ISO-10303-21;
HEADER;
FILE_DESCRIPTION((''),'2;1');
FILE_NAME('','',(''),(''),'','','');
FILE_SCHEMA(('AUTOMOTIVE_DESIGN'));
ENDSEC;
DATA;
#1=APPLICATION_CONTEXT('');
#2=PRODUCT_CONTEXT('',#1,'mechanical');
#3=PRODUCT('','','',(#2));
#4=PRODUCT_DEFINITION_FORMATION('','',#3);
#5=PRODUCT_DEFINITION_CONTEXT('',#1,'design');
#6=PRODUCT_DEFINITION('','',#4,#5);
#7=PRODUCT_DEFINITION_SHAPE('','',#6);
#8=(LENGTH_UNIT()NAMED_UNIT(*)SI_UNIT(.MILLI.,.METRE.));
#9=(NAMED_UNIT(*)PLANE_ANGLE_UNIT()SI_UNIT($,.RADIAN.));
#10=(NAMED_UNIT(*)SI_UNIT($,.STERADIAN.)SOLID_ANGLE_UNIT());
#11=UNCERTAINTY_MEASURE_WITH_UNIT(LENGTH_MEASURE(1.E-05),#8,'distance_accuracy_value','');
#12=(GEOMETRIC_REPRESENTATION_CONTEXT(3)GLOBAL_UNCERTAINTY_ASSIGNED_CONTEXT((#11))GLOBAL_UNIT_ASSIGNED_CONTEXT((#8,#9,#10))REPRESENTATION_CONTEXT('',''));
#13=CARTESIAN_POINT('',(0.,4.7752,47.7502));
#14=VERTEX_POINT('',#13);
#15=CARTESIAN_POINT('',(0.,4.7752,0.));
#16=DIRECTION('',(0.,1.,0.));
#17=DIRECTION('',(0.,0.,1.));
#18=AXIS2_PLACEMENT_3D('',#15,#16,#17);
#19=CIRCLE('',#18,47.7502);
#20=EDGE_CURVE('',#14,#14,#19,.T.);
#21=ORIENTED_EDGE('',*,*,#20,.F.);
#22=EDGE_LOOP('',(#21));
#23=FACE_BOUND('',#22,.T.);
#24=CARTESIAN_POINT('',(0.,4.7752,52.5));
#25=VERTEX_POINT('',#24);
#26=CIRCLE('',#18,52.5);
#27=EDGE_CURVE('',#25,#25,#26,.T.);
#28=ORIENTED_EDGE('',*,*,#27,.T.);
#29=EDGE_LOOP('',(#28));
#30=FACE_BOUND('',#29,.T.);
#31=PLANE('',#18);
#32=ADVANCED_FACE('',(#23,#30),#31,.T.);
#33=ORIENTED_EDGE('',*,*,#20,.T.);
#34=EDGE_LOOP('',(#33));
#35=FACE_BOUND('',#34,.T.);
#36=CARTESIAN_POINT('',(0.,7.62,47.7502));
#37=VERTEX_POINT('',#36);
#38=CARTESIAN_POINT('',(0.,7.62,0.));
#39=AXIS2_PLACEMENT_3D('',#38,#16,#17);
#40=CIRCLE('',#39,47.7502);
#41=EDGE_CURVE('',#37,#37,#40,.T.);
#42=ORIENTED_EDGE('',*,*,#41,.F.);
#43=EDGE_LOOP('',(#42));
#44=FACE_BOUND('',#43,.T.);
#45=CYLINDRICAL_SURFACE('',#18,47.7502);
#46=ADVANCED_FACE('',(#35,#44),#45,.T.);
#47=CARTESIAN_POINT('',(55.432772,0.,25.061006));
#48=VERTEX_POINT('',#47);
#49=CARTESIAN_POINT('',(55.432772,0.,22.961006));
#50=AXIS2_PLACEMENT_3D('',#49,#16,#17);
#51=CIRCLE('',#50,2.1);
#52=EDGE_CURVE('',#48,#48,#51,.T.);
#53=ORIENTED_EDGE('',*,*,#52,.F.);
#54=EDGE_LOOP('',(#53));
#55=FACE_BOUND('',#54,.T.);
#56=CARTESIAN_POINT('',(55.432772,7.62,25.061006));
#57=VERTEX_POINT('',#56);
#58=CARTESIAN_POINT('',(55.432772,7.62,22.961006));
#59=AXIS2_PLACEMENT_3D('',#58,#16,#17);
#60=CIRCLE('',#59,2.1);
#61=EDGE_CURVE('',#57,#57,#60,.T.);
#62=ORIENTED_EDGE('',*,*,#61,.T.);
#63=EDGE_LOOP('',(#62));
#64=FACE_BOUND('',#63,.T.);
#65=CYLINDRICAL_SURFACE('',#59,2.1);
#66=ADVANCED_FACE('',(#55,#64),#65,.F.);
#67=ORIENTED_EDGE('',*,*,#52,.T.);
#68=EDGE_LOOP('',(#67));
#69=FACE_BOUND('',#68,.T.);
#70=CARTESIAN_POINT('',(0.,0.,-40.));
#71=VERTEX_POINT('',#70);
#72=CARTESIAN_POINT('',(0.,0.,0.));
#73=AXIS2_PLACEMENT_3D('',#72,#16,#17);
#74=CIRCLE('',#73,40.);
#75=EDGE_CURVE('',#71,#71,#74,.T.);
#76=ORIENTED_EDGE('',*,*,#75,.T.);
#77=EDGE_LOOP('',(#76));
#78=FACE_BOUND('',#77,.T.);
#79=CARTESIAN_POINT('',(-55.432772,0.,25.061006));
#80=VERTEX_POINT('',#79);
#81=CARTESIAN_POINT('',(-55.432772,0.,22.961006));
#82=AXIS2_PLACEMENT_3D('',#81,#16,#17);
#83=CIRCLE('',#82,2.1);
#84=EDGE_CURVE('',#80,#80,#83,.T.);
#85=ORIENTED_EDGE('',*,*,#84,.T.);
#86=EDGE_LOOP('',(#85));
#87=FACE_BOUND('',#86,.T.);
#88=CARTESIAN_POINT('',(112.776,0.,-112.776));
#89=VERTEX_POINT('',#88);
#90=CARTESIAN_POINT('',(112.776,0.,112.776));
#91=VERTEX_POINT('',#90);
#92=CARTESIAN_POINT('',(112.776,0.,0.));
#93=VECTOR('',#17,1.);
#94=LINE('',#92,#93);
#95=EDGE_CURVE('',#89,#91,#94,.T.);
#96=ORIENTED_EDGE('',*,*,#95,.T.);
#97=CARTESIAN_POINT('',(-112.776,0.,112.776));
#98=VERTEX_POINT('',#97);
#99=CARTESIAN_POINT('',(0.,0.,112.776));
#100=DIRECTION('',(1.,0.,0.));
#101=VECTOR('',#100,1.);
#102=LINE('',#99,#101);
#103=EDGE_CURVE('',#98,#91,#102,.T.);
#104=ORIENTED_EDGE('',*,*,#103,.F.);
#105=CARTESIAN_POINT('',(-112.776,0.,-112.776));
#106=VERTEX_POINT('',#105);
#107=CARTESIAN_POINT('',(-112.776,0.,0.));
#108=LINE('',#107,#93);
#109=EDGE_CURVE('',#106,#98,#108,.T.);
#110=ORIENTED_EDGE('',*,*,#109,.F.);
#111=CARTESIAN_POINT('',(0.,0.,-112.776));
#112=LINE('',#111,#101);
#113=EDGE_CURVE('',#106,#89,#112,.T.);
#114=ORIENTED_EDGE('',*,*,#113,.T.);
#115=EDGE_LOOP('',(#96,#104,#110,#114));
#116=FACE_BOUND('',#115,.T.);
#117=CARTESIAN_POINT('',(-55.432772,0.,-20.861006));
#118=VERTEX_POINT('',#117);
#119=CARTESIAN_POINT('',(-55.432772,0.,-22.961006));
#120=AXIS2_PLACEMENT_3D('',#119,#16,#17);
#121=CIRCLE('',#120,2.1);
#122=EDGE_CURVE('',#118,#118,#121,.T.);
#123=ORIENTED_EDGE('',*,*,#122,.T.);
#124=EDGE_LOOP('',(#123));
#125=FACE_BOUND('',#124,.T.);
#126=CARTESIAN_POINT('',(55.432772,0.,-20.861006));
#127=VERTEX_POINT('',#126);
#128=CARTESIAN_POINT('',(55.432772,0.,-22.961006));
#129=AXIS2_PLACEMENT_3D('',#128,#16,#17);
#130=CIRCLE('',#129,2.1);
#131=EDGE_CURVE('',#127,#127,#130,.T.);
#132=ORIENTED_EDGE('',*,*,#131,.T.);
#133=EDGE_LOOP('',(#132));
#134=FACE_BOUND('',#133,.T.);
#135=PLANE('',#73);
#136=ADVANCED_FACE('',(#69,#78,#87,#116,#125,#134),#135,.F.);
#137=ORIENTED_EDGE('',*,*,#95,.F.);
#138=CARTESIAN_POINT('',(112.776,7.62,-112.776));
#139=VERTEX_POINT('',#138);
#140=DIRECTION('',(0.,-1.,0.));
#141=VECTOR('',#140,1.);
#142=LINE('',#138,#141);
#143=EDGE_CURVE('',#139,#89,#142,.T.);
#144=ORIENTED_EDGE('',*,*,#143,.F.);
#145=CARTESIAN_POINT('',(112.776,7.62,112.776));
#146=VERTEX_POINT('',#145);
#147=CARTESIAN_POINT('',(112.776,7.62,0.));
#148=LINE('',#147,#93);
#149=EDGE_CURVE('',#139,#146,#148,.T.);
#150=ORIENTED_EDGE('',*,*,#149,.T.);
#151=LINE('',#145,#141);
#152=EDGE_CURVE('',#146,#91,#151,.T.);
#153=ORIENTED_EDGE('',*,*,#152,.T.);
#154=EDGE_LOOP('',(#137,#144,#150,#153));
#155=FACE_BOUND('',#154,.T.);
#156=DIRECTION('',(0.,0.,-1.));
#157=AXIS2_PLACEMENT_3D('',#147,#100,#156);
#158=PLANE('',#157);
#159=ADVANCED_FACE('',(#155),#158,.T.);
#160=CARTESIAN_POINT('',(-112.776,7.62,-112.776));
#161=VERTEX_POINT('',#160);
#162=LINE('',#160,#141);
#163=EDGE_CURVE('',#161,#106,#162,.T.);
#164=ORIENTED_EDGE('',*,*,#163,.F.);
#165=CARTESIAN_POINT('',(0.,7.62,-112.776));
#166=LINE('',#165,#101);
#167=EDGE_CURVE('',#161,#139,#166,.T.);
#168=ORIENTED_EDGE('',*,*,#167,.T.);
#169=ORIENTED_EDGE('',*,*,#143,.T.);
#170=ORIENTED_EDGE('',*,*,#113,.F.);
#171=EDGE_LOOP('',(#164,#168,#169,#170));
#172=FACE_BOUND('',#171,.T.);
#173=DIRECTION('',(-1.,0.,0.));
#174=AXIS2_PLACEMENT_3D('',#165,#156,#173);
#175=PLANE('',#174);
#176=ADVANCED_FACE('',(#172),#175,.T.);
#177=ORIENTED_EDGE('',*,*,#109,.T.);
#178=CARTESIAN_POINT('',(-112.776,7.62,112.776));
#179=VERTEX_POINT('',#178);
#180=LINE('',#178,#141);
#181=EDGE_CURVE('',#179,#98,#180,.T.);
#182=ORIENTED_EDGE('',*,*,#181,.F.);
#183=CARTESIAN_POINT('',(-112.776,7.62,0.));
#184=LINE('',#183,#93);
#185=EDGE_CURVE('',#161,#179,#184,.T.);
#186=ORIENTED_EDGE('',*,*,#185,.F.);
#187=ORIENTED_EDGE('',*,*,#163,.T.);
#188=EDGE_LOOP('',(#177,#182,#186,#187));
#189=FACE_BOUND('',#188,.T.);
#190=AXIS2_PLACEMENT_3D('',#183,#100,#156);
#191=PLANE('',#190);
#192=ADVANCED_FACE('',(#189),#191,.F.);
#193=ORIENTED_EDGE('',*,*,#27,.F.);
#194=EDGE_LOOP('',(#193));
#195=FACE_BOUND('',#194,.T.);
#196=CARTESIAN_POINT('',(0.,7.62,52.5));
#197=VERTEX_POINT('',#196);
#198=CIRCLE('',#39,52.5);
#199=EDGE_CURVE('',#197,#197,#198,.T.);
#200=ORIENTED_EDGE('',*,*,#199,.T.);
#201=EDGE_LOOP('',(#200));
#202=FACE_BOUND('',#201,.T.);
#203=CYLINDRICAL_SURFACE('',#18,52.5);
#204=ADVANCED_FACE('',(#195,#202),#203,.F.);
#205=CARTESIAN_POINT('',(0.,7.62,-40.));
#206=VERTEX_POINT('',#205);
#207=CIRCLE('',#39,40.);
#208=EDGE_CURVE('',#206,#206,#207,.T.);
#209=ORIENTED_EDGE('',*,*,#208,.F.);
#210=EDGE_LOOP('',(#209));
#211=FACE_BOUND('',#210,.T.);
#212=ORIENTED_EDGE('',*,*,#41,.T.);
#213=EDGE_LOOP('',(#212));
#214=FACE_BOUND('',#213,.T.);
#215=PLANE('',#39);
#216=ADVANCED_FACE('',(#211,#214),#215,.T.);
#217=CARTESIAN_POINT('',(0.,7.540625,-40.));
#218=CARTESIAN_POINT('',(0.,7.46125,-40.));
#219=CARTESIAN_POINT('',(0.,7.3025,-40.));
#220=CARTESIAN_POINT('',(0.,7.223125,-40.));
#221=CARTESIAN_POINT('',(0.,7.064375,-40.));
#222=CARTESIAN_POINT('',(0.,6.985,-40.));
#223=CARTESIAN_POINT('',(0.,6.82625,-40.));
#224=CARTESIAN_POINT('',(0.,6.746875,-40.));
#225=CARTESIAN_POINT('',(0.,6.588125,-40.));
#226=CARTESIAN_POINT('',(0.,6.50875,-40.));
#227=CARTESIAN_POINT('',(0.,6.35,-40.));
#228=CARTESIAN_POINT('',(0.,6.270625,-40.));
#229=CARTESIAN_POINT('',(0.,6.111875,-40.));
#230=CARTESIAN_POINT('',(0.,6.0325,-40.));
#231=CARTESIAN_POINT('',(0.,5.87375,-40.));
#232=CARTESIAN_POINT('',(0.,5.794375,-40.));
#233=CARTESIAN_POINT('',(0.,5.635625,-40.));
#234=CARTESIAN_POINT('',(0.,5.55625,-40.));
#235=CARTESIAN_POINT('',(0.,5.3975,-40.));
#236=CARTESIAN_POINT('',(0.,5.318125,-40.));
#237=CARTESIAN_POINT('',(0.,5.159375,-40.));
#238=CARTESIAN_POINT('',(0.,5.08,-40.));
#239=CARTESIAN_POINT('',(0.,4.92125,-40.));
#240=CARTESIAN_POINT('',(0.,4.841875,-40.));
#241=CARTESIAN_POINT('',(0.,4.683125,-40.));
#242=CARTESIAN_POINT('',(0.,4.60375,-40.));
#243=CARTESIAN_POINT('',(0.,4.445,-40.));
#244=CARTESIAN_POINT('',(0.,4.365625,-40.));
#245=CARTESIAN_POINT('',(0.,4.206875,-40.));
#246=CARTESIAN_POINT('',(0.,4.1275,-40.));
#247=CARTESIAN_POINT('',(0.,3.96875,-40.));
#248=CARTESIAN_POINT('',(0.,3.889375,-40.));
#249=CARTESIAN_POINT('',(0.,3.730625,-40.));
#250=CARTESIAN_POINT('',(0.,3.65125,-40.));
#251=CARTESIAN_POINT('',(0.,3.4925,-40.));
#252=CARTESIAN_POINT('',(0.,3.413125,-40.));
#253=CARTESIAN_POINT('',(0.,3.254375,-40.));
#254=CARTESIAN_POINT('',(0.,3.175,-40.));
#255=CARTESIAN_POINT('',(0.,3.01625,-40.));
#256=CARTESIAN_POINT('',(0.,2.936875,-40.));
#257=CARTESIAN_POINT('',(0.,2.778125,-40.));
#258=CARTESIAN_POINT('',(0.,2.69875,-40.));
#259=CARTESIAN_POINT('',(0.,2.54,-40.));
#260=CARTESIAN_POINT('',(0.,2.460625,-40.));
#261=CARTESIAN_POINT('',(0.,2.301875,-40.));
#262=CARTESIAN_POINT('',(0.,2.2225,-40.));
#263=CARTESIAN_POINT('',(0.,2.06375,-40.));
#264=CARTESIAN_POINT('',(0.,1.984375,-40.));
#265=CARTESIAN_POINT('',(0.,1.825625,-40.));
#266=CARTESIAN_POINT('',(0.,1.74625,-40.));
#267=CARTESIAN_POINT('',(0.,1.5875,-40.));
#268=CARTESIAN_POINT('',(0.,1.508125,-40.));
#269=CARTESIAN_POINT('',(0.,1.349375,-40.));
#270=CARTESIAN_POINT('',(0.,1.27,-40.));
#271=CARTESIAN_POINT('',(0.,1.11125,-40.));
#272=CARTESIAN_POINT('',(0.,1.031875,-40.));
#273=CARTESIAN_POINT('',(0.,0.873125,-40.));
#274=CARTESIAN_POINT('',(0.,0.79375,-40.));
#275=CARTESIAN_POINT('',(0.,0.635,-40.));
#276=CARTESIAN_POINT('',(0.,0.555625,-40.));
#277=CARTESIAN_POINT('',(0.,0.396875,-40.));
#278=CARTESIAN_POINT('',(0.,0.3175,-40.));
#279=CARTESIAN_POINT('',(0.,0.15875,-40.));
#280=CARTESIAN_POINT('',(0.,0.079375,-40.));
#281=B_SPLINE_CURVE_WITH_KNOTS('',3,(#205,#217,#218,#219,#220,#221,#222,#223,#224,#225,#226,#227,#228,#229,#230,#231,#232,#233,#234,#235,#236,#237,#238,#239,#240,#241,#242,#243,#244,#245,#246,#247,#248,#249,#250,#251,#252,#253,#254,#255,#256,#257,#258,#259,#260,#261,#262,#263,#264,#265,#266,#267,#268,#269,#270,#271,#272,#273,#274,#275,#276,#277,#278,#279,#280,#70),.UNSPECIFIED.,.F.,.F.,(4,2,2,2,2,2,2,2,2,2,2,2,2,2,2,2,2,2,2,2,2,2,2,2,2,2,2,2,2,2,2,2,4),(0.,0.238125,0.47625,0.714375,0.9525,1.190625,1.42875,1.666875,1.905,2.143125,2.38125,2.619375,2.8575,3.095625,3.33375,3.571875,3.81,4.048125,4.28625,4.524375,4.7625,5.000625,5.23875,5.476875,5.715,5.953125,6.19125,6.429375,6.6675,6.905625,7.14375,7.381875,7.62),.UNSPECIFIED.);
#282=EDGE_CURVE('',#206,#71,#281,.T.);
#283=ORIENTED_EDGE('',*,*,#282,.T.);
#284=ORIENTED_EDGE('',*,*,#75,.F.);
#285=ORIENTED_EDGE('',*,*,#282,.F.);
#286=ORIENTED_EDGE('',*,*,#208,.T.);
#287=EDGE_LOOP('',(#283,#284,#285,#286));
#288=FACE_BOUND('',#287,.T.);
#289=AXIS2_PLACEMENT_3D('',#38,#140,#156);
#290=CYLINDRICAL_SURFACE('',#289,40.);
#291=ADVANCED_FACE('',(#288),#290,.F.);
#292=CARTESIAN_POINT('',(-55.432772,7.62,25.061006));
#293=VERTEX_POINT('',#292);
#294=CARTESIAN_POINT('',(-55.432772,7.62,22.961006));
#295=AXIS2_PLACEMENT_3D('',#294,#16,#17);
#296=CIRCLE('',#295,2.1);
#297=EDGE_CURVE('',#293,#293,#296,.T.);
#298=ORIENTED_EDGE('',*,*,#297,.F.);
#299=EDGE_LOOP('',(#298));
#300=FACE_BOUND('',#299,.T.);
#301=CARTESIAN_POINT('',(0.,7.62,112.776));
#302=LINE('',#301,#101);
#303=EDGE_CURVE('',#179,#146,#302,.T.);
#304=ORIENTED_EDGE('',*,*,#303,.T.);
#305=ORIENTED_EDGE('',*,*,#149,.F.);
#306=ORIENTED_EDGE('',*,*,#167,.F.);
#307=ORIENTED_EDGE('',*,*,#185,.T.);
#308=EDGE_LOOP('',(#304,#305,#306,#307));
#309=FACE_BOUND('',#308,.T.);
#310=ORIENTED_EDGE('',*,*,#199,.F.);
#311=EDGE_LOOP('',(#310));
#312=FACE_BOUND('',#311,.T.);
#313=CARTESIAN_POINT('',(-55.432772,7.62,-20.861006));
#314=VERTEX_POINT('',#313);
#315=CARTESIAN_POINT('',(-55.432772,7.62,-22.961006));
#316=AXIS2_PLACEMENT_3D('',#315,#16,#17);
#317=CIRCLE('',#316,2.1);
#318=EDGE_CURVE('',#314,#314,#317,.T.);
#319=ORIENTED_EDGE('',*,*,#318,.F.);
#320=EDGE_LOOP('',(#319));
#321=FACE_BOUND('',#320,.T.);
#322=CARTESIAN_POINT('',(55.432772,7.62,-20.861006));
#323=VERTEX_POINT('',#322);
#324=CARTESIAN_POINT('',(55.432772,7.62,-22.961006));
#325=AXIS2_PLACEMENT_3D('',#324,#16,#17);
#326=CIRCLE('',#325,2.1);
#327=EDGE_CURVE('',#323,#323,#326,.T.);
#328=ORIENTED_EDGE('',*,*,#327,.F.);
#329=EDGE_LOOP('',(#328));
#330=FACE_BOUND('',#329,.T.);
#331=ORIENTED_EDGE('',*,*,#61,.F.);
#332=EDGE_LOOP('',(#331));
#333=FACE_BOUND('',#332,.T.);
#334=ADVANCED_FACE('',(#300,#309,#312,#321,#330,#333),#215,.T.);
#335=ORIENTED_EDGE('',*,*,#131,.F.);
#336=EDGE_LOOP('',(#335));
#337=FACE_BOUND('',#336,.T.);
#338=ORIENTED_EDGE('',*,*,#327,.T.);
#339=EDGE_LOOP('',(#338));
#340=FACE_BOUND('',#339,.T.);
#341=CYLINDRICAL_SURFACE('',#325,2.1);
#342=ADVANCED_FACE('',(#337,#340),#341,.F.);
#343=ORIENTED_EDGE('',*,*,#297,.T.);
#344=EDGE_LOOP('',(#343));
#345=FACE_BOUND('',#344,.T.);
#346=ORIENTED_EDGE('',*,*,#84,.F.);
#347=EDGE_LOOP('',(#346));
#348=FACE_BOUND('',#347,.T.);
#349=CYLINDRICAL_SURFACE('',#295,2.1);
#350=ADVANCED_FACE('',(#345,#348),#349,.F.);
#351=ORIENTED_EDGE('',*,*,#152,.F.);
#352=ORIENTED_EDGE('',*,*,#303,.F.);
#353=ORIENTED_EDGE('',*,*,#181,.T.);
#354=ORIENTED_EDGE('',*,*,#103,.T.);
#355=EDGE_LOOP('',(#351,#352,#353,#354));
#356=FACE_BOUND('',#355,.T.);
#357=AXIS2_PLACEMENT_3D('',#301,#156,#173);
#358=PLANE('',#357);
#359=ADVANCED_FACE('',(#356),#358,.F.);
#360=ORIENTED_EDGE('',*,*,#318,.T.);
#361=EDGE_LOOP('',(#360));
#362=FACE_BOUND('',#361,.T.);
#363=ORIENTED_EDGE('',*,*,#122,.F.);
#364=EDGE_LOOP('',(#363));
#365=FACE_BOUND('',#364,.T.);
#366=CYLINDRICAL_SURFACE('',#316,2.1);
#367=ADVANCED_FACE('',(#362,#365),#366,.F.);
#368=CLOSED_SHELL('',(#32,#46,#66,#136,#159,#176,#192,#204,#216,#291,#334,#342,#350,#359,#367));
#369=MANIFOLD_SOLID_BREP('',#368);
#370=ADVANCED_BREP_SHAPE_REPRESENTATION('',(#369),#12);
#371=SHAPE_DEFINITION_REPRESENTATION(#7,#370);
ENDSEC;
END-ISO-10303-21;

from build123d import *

# Parameters (mm, degrees)
SKETCH1_W           = 225.552
SKETCH1_H           = 225.552
SKETCH1_R           = 52.5
SKETCH1_R_2         = 60
SKETCH1_R_3         = 47.7502
SKETCH1_R_4         = 40
BOSS_EXTRUDE1_DEPTH = 7.62
CUT_EXTRUDE1_START  = 7.62
SKETCH1_4_R         = 52.5
SKETCH1_4_R_2       = 47.7502
CUT_EXTRUDE1_DEPTH  = 2.8448
CIRPATTERN1_COUNT   = 16


with BuildPart() as part:
    # Sketch1 → Boss-Extrude1 (new body)
    with BuildSketch(Plane(origin=(0, 0, 0), x_dir=(1, 0, 0), z_dir=(0, 1, 0))):
        Rectangle(SKETCH1_W, SKETCH1_H)
        Circle(SKETCH1_R, mode=Mode.SUBTRACT)
        Circle(SKETCH1_R_2)
        Circle(SKETCH1_R, mode=Mode.SUBTRACT)
        Circle(SKETCH1_R)
        Circle(SKETCH1_R_3, mode=Mode.SUBTRACT)
        Circle(SKETCH1_R_3)
        with Locations(Location((0, 0, 0), (0, 0, 90))):
            Circle(SKETCH1_R_4, mode=Mode.SUBTRACT)
    extrude(amount=BOSS_EXTRUDE1_DEPTH)

    # Sketch1_4 → Cut-Extrude1 (cut)
    with BuildSketch(Plane(origin=(0, 0, 0), x_dir=(1, 0, 0), z_dir=(0, 1, 0)).offset(CUT_EXTRUDE1_START)):
        with Locations(Location((0, 0, 0), (0, 0, 270))):
            Circle(SKETCH1_4_R)
        with Locations(Location((0, 0, 0), (0, 0, 270))):
            Circle(SKETCH1_4_R_2, mode=Mode.SUBTRACT)
    extrude(amount=-CUT_EXTRUDE1_DEPTH, mode=Mode.SUBTRACT)

    # Sketch4 → M5x0.8 Tapped Hole2 (revolve, cut)
    with BuildSketch(Plane(origin=(55.432771951, 7.62, -22.961005942), x_dir=(0, 0, 1), z_dir=(1, 0, 0))):
        Polygon((0, 0), (0, 13.6618073), (2.1, 12.4), (2.1, 0), align=None)
    m5x0_8_tapped_hole2 = revolve(axis=Axis((55.432771951, 13.97, -22.961005942), (0, -1, 0)), mode=Mode.SUBTRACT)

    # CirPattern1: M5x0.8 Tapped Hole2 ×16 about axis, 12 skipped
    cirpattern1_axis = Axis((0, 7.62, 0), (0, 1, 0))
    add([m5x0_8_tapped_hole2.rotate(cirpattern1_axis, i * 360 / CIRPATTERN1_COUNT) for i in range(1, CIRPATTERN1_COUNT) if i not in (1, 2, 3, 4, 5, 7, 9, 10, 11, 12, 13, 15)], mode=Mode.SUBTRACT)


solid = part.part
